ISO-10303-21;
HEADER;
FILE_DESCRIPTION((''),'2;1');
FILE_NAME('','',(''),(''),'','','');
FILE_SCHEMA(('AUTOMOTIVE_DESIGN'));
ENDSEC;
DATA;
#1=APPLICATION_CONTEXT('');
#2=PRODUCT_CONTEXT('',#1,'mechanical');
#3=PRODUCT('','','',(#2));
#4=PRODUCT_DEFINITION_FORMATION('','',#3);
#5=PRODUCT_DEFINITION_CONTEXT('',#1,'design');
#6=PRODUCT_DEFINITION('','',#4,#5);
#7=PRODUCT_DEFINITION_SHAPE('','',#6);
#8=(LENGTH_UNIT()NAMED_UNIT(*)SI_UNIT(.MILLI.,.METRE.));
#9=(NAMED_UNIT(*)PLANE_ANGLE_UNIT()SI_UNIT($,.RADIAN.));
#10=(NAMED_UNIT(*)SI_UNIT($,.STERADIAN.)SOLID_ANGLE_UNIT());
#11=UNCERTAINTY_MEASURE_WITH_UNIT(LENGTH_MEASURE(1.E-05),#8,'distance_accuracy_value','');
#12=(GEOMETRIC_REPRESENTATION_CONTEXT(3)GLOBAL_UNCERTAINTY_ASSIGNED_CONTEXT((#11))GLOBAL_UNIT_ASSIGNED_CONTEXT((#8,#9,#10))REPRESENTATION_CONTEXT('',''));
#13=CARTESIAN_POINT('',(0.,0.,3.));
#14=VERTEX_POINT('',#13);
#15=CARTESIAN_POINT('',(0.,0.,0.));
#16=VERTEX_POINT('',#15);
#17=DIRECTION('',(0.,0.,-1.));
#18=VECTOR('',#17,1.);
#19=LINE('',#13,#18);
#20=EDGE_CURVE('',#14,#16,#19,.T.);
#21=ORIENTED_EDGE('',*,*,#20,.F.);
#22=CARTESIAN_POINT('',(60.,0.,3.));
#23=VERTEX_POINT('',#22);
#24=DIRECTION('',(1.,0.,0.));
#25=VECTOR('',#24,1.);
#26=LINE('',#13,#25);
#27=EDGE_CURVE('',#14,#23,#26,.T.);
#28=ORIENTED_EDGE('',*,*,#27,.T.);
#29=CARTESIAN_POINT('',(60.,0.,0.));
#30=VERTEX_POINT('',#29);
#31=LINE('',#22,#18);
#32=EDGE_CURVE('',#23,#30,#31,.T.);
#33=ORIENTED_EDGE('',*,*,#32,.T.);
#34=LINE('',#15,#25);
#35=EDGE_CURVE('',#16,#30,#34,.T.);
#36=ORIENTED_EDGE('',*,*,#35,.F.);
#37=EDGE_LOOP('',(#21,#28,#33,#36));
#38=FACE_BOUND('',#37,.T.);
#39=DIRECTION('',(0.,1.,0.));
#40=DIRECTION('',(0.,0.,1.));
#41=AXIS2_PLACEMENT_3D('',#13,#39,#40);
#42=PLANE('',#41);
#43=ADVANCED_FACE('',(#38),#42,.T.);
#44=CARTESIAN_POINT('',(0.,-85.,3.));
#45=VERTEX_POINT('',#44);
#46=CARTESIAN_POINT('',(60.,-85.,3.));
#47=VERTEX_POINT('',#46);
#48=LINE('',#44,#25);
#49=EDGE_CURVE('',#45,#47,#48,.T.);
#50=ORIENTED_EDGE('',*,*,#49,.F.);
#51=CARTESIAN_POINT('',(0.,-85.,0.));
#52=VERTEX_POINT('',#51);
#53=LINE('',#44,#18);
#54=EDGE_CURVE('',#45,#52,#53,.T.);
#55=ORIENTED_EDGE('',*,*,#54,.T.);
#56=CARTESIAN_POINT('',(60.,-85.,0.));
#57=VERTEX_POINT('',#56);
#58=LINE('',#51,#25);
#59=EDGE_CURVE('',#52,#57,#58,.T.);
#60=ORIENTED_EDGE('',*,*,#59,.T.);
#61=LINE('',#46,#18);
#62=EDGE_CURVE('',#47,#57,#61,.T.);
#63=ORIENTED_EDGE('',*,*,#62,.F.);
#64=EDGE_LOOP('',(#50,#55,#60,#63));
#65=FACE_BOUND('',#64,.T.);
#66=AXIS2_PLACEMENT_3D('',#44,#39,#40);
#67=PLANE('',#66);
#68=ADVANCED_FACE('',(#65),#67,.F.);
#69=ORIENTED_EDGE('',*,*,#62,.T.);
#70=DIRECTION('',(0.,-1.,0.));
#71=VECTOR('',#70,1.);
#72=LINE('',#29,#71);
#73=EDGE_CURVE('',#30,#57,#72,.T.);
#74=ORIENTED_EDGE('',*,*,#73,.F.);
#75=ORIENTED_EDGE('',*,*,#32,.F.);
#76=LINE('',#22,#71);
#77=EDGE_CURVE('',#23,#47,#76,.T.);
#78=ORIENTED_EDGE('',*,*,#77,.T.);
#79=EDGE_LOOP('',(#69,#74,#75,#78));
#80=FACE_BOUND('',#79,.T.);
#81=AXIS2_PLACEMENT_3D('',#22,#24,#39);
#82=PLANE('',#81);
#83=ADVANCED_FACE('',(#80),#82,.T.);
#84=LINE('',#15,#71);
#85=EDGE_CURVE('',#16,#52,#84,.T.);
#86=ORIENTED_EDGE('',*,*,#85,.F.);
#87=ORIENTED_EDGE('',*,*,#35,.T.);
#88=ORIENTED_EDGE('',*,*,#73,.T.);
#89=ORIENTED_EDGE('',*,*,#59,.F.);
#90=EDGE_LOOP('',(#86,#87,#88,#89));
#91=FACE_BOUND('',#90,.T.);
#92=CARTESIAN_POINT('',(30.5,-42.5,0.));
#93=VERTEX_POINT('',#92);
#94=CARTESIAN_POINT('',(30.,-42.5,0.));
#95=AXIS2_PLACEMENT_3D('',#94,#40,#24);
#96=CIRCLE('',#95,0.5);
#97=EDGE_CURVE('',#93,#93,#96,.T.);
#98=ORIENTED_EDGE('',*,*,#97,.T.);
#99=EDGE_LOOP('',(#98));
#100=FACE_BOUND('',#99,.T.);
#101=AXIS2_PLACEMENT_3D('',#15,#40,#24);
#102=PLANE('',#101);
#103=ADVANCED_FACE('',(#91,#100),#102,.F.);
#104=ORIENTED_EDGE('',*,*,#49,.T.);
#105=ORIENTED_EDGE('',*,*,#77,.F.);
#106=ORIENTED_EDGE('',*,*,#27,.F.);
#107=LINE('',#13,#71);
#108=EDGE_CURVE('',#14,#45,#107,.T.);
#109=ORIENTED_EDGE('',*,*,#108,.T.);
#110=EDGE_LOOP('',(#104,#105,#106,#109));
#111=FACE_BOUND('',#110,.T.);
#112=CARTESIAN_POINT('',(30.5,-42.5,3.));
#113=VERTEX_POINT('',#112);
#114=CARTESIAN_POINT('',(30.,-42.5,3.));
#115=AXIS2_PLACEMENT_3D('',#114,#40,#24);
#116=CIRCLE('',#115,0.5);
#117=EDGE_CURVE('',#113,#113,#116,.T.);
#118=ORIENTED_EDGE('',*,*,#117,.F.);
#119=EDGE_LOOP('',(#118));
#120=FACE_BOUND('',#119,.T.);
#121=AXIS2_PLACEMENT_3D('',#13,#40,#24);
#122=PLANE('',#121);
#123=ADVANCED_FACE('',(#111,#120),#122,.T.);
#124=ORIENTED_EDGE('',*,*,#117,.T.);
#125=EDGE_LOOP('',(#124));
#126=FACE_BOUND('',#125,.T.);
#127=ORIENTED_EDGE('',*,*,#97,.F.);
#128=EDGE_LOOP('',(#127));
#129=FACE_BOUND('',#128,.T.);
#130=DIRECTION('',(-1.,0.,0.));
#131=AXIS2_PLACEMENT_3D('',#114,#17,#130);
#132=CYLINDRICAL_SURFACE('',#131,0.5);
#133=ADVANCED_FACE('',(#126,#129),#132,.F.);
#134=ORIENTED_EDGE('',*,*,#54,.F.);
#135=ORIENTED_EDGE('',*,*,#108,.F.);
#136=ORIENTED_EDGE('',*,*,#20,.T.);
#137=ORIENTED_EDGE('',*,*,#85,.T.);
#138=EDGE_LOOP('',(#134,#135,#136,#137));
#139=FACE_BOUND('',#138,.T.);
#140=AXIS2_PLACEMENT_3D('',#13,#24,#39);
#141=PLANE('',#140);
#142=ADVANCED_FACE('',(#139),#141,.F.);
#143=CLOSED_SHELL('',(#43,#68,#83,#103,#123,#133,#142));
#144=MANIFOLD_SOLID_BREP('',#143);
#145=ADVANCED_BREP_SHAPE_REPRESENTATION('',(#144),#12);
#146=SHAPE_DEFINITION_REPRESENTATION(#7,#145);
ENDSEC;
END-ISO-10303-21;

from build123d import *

# Parameters (mm, degrees)
SKETCH1_W           = 60
SKETCH1_H           = 85
SKETCH1_R           = 0.5
BOSS_EXTRUDE1_DEPTH = 3


with BuildPart() as part:
    # Sketch1 → Boss-Extrude1 (new body)
    with BuildSketch(Plane.XY):
        with Locations((30, -42.5)):
            Rectangle(SKETCH1_W, SKETCH1_H)
        with Locations((30, -42.5)):
            Circle(SKETCH1_R, mode=Mode.SUBTRACT)
    extrude(amount=BOSS_EXTRUDE1_DEPTH)


solid = part.part
